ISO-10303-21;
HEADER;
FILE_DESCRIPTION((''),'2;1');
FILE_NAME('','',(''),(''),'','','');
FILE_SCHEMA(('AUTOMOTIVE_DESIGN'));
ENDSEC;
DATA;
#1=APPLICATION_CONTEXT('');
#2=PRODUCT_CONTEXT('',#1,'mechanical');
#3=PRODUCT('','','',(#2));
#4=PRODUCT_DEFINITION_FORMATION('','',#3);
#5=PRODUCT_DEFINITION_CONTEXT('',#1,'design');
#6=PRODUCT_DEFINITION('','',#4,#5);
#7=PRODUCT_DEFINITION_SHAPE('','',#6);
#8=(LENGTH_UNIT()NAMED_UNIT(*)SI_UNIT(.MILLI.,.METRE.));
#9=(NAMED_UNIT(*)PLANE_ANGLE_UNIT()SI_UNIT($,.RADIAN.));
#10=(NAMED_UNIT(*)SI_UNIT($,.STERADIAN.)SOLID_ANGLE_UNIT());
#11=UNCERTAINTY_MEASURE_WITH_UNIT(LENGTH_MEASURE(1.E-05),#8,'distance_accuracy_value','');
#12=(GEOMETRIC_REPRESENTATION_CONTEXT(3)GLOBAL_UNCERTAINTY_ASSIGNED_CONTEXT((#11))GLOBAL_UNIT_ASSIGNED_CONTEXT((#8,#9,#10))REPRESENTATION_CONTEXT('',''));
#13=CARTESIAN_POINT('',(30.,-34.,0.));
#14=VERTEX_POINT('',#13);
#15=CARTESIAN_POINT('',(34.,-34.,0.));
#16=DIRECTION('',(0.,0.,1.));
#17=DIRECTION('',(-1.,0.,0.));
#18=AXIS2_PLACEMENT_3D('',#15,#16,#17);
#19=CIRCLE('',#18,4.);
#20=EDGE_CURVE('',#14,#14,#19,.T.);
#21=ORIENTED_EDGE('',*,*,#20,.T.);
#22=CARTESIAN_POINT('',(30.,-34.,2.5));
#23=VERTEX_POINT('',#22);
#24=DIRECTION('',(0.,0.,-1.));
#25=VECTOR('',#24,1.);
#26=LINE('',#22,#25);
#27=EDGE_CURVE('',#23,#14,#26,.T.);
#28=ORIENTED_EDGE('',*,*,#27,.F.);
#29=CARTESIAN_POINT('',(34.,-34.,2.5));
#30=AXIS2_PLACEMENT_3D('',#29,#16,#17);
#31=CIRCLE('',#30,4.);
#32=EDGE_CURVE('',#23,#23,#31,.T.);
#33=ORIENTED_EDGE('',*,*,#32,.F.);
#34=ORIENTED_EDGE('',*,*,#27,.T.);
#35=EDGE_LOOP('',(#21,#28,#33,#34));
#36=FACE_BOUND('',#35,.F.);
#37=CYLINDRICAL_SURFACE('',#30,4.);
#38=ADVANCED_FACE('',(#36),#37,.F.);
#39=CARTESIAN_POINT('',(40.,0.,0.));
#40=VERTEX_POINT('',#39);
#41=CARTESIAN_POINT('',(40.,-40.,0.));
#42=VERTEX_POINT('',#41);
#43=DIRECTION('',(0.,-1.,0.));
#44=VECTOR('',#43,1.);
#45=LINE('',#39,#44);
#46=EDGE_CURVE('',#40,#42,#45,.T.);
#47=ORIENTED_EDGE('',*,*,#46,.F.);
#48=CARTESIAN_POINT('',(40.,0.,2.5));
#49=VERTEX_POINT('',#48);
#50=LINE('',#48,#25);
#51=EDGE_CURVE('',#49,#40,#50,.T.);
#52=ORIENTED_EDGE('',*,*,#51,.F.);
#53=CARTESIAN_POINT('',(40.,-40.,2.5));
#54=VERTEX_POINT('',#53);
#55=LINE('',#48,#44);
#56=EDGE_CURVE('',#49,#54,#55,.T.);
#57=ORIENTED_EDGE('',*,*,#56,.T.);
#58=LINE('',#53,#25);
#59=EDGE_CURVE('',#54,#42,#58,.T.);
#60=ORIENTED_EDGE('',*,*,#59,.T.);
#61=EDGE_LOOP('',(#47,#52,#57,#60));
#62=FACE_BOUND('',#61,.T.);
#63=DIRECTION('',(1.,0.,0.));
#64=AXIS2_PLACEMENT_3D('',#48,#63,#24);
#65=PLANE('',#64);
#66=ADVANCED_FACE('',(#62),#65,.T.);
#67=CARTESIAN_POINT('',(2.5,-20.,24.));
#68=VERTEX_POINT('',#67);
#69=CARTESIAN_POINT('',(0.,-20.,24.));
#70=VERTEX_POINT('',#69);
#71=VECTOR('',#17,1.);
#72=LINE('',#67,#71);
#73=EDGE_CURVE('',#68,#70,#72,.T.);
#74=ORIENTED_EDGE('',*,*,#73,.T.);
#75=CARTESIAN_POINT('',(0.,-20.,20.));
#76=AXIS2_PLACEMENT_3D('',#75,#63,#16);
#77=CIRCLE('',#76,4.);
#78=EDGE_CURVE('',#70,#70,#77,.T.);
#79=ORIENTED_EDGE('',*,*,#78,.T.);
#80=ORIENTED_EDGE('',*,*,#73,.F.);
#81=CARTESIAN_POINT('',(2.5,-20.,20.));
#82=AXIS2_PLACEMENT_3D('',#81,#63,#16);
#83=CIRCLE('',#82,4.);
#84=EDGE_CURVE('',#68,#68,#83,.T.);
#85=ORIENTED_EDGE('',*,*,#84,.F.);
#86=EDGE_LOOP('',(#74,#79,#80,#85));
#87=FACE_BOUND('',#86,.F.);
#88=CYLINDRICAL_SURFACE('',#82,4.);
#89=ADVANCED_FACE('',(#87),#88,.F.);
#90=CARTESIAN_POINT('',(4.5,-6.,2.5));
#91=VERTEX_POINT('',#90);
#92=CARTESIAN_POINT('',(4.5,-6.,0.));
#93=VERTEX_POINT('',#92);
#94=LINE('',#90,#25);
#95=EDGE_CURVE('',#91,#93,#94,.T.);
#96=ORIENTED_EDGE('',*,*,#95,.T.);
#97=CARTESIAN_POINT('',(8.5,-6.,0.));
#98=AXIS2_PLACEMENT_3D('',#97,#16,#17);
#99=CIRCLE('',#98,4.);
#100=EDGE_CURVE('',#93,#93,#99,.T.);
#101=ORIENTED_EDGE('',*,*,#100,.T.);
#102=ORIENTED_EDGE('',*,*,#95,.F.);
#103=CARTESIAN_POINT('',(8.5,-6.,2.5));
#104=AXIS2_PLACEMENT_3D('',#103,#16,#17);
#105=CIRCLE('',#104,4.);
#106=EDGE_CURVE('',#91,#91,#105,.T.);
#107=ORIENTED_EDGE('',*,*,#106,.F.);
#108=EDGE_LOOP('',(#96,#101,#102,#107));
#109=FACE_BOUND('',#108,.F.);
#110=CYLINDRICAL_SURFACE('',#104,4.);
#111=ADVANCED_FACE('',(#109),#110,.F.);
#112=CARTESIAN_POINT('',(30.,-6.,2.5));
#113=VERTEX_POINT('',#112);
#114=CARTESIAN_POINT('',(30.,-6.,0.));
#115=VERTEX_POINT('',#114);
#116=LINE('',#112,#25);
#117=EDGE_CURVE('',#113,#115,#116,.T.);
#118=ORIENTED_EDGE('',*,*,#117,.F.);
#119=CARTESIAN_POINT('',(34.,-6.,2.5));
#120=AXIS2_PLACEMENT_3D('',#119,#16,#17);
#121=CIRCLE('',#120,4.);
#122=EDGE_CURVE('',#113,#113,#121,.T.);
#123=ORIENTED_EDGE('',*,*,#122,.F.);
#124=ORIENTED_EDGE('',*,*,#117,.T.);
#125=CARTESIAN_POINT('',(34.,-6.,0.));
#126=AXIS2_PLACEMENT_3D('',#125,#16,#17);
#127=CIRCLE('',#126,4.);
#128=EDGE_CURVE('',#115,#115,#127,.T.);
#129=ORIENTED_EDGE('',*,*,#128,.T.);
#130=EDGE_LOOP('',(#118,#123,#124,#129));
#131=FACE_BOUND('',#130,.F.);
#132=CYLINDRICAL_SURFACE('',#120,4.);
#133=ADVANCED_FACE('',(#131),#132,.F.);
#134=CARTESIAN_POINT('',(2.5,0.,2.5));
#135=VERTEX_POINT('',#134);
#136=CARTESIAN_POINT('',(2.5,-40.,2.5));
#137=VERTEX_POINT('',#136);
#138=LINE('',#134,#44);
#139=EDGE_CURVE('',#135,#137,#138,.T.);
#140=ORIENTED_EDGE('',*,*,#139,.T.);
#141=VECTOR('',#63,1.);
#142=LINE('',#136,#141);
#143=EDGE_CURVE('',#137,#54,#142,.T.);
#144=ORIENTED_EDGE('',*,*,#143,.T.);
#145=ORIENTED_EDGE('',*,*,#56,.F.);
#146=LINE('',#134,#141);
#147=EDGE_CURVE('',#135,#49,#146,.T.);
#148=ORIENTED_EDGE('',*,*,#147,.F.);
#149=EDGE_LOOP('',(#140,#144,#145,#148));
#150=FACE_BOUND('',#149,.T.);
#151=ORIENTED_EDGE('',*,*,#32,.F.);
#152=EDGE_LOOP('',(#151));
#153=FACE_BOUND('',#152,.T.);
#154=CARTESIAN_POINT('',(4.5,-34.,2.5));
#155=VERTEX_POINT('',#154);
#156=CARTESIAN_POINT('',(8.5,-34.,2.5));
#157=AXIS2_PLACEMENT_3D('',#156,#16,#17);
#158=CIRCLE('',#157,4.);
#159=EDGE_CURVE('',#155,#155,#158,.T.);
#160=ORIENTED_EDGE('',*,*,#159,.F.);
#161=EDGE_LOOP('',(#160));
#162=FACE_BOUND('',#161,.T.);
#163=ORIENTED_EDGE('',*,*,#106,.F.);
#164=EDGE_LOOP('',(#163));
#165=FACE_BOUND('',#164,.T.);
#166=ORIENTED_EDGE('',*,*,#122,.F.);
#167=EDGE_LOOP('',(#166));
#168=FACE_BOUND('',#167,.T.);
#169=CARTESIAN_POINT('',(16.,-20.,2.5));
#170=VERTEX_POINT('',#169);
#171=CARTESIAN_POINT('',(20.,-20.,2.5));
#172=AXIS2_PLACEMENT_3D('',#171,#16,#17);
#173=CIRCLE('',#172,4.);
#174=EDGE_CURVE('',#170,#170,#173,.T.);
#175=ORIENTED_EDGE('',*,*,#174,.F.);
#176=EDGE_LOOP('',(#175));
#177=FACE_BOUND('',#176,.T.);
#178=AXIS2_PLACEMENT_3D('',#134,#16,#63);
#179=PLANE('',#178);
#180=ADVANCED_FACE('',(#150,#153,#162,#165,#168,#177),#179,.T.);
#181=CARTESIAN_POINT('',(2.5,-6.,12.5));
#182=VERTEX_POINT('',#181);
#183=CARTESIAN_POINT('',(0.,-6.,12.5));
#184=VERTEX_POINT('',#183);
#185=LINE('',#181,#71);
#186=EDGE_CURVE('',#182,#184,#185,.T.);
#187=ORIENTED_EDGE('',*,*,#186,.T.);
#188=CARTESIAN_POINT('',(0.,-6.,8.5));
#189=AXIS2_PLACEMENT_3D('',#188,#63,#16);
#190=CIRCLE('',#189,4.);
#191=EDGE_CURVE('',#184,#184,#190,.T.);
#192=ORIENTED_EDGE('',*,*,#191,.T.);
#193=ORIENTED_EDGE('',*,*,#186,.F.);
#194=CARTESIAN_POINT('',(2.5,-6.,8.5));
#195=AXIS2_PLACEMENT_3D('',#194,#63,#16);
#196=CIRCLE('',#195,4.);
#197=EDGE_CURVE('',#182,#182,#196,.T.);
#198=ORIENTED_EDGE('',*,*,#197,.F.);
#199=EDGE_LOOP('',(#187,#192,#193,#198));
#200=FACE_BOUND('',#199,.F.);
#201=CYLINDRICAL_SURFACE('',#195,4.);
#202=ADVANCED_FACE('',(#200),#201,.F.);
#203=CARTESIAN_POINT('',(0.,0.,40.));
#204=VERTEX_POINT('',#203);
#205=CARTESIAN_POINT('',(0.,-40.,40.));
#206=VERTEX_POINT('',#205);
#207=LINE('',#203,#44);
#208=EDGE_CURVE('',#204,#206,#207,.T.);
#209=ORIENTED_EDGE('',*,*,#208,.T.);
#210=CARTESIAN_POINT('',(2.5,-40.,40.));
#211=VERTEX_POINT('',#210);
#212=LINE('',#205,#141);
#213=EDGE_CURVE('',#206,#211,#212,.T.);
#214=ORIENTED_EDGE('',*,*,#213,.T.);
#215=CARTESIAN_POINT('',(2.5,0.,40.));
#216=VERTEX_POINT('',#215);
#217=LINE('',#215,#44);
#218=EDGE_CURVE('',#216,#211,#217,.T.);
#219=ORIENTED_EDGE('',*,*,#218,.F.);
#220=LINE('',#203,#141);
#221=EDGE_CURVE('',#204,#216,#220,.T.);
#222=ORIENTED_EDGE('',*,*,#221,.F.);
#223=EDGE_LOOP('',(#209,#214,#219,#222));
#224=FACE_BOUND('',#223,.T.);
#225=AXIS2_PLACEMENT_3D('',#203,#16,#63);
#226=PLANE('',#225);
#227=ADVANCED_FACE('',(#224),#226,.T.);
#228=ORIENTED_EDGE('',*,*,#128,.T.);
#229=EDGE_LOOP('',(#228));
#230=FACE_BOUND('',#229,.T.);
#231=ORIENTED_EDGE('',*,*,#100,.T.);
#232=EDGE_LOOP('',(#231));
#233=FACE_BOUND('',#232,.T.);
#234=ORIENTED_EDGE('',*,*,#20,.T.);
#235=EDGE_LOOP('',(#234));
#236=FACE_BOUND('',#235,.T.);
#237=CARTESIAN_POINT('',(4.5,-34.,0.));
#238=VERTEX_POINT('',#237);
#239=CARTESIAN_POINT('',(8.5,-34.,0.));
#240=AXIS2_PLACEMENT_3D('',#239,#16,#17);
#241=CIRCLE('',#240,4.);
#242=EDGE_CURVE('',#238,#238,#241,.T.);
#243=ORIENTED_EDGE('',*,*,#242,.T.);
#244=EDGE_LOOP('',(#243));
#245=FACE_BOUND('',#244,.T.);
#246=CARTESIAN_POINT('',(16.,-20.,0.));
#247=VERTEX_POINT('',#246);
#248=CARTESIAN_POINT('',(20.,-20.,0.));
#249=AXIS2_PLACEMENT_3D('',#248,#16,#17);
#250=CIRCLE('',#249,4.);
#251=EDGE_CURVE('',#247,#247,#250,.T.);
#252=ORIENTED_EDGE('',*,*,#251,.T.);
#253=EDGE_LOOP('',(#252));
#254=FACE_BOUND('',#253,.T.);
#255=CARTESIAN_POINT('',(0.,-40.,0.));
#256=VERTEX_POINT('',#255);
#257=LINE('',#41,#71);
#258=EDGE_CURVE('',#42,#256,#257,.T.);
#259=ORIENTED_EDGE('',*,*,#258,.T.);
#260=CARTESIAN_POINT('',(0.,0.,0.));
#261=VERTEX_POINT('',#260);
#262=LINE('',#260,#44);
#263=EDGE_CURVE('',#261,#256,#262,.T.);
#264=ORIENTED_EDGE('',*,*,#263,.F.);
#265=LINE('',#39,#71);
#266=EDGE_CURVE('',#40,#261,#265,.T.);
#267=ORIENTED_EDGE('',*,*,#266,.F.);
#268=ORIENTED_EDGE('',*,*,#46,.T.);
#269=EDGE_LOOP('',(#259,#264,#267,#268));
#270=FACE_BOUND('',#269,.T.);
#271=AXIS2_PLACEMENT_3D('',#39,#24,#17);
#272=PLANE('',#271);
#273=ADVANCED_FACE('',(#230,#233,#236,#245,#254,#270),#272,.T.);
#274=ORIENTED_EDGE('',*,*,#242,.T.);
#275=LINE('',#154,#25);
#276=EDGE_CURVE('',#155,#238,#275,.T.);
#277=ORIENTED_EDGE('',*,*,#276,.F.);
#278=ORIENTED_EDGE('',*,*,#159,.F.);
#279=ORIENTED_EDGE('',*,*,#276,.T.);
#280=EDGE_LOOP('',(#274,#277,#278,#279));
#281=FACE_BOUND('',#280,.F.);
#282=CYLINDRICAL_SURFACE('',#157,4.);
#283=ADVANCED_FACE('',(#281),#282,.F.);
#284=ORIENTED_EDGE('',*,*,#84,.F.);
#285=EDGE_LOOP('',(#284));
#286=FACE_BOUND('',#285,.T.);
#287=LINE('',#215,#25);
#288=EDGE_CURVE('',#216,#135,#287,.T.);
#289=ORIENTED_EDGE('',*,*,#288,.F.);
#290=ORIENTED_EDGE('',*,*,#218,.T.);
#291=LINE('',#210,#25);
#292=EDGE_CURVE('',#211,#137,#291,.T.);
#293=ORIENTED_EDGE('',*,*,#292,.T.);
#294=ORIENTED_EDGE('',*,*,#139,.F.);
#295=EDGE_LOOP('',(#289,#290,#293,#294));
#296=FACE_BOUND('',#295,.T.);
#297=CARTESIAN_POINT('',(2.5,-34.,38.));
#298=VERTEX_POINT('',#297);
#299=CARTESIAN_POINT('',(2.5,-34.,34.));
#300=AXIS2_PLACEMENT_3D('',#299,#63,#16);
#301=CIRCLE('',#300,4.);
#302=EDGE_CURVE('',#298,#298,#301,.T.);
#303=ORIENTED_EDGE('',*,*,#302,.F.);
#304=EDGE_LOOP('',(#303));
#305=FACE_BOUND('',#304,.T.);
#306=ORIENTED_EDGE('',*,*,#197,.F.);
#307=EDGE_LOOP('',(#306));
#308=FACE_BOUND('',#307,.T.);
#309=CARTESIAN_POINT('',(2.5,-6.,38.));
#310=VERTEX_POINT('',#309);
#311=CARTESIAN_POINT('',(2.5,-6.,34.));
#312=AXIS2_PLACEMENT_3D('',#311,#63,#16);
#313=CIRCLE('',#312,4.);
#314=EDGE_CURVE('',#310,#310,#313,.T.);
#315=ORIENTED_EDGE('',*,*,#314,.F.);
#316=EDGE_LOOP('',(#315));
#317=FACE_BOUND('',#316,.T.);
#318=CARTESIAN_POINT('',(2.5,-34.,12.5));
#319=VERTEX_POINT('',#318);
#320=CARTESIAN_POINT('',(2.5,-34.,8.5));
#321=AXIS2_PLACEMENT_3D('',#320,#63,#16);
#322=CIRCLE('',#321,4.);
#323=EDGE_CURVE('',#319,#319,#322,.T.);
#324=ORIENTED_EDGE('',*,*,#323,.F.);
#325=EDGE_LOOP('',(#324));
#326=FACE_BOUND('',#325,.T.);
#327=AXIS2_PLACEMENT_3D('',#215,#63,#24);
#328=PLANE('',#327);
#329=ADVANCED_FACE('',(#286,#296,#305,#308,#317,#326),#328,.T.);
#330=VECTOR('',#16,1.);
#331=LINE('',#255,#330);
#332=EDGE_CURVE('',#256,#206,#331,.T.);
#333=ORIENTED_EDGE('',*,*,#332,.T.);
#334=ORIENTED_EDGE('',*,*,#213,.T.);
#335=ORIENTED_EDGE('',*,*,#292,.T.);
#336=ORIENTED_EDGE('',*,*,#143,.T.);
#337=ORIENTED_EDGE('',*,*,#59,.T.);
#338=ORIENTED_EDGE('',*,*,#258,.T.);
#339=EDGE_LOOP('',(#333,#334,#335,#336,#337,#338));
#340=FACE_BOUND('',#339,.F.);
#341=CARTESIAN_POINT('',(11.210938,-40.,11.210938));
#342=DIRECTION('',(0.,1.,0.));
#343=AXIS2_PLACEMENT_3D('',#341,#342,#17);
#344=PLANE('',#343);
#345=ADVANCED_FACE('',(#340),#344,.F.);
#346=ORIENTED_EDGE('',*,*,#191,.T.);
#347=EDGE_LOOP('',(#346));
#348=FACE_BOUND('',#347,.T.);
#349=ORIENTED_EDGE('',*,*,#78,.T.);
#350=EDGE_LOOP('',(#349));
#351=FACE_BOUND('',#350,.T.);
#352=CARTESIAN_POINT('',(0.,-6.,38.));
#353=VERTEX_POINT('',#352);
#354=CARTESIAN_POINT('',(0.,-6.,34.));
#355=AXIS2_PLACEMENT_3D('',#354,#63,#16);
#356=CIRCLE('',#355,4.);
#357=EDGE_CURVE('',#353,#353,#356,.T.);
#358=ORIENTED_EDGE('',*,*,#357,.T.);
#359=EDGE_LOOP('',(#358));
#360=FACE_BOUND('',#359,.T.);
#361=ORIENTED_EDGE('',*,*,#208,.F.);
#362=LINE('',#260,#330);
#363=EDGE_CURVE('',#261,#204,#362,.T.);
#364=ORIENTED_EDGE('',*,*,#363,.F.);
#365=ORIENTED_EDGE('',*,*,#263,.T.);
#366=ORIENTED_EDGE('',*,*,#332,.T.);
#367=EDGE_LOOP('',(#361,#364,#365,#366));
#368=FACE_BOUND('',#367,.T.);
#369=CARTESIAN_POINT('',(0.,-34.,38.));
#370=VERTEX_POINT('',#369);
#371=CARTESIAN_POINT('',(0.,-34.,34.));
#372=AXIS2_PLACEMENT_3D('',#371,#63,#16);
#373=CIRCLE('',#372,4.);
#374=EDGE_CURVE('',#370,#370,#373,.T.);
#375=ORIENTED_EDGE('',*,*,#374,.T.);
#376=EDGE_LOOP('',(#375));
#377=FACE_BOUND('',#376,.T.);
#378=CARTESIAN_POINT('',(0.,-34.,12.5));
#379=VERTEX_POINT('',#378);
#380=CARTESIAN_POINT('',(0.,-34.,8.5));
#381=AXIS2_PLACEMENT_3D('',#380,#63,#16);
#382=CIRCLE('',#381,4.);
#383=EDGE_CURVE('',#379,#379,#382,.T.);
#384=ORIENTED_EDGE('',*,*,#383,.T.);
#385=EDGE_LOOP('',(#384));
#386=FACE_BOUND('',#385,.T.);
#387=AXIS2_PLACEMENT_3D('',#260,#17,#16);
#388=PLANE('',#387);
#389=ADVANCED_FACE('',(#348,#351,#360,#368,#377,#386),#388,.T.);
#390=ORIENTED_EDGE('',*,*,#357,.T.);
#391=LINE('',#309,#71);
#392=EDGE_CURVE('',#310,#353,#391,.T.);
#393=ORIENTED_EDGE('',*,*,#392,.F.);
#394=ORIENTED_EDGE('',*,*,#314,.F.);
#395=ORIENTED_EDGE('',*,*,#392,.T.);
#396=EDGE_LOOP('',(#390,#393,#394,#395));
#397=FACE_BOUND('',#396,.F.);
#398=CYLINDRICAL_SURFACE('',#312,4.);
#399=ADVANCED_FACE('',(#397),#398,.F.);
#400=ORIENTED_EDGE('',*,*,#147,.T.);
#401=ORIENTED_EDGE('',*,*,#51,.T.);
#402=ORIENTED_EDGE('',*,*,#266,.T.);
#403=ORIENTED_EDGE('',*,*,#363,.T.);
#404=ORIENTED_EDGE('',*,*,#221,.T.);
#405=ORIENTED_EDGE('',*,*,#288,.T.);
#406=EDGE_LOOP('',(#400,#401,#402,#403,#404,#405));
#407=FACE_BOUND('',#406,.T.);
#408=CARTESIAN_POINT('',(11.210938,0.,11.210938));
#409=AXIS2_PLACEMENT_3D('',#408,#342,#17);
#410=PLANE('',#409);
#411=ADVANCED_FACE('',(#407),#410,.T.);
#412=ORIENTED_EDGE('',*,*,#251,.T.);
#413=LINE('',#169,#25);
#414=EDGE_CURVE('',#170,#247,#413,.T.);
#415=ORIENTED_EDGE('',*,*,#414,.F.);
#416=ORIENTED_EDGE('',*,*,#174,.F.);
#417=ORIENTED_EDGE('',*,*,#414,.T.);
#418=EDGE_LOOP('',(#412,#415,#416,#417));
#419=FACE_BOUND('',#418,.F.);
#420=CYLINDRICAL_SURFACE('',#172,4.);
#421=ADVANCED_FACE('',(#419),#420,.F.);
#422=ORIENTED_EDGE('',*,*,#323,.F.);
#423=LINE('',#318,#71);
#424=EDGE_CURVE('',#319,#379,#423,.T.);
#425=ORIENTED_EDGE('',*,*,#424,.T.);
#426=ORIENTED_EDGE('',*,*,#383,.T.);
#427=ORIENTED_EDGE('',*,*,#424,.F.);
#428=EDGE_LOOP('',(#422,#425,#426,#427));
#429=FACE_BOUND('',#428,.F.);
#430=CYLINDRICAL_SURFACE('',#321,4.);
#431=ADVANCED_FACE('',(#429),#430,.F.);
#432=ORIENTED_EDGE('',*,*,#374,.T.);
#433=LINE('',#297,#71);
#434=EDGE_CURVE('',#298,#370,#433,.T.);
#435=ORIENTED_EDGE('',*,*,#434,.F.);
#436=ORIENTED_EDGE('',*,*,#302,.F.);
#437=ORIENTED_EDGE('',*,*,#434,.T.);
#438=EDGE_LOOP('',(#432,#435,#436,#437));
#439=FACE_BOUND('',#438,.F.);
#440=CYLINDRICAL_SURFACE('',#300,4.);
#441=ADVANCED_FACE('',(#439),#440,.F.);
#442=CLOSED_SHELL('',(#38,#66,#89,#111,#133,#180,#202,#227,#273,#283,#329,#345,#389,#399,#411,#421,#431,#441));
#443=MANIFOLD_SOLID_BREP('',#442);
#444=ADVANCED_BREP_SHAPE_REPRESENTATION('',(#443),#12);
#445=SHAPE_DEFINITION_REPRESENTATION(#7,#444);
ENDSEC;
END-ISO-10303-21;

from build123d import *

# Parameters (mm, degrees)
PAD_DEPTH       = 40
SKETCH001_R     = 4
POCKET_DEPTH    = 2.501
SKETCH002_R     = 4
POCKET001_DEPTH = 2.501


with BuildPart() as part:
    # Sketch → Pad (new body)
    with BuildSketch(Plane.XZ):
        Polygon((0, 0), (0, 40), (2.5, 40), (2.5, 2.5), (40, 2.5), (40, 0), align=None)
    extrude(amount=PAD_DEPTH)

    # Sketch001 (on Face3 of Pad) → Pocket (cut, through all)
    with BuildSketch(Plane(origin=(2.5, 0, 0), x_dir=(0, 0, 1), z_dir=(1, 0, 0))):
        with Locations((8.5, 34)):
            Circle(SKETCH001_R)
        with Locations((34, 34)):
            Circle(SKETCH001_R)
        with Locations((8.5, 6)):
            Circle(SKETCH001_R)
        with Locations((34, 6)):
            Circle(SKETCH001_R)
        with Locations((20, 20)):
            Circle(SKETCH001_R)
    extrude(amount=-POCKET_DEPTH, mode=Mode.SUBTRACT)

    # Sketch002 (on Face13 of Pocket) → Pocket001 (cut, through all)
    with BuildSketch(Plane(origin=(0, 0, 2.5), x_dir=(-1, 0, 0), z_dir=(0, 0, 1))):
        with Locations((-8.5, 6)):
            Circle(SKETCH002_R)
        with Locations((-34, 6)):
            Circle(SKETCH002_R)
        with Locations((-8.5, 34)):
            Circle(SKETCH002_R)
        with Locations((-34, 34)):
            Circle(SKETCH002_R)
        with Locations((-20, 20)):
            Circle(SKETCH002_R)
    extrude(amount=-POCKET001_DEPTH, mode=Mode.SUBTRACT)


solid = part.part
